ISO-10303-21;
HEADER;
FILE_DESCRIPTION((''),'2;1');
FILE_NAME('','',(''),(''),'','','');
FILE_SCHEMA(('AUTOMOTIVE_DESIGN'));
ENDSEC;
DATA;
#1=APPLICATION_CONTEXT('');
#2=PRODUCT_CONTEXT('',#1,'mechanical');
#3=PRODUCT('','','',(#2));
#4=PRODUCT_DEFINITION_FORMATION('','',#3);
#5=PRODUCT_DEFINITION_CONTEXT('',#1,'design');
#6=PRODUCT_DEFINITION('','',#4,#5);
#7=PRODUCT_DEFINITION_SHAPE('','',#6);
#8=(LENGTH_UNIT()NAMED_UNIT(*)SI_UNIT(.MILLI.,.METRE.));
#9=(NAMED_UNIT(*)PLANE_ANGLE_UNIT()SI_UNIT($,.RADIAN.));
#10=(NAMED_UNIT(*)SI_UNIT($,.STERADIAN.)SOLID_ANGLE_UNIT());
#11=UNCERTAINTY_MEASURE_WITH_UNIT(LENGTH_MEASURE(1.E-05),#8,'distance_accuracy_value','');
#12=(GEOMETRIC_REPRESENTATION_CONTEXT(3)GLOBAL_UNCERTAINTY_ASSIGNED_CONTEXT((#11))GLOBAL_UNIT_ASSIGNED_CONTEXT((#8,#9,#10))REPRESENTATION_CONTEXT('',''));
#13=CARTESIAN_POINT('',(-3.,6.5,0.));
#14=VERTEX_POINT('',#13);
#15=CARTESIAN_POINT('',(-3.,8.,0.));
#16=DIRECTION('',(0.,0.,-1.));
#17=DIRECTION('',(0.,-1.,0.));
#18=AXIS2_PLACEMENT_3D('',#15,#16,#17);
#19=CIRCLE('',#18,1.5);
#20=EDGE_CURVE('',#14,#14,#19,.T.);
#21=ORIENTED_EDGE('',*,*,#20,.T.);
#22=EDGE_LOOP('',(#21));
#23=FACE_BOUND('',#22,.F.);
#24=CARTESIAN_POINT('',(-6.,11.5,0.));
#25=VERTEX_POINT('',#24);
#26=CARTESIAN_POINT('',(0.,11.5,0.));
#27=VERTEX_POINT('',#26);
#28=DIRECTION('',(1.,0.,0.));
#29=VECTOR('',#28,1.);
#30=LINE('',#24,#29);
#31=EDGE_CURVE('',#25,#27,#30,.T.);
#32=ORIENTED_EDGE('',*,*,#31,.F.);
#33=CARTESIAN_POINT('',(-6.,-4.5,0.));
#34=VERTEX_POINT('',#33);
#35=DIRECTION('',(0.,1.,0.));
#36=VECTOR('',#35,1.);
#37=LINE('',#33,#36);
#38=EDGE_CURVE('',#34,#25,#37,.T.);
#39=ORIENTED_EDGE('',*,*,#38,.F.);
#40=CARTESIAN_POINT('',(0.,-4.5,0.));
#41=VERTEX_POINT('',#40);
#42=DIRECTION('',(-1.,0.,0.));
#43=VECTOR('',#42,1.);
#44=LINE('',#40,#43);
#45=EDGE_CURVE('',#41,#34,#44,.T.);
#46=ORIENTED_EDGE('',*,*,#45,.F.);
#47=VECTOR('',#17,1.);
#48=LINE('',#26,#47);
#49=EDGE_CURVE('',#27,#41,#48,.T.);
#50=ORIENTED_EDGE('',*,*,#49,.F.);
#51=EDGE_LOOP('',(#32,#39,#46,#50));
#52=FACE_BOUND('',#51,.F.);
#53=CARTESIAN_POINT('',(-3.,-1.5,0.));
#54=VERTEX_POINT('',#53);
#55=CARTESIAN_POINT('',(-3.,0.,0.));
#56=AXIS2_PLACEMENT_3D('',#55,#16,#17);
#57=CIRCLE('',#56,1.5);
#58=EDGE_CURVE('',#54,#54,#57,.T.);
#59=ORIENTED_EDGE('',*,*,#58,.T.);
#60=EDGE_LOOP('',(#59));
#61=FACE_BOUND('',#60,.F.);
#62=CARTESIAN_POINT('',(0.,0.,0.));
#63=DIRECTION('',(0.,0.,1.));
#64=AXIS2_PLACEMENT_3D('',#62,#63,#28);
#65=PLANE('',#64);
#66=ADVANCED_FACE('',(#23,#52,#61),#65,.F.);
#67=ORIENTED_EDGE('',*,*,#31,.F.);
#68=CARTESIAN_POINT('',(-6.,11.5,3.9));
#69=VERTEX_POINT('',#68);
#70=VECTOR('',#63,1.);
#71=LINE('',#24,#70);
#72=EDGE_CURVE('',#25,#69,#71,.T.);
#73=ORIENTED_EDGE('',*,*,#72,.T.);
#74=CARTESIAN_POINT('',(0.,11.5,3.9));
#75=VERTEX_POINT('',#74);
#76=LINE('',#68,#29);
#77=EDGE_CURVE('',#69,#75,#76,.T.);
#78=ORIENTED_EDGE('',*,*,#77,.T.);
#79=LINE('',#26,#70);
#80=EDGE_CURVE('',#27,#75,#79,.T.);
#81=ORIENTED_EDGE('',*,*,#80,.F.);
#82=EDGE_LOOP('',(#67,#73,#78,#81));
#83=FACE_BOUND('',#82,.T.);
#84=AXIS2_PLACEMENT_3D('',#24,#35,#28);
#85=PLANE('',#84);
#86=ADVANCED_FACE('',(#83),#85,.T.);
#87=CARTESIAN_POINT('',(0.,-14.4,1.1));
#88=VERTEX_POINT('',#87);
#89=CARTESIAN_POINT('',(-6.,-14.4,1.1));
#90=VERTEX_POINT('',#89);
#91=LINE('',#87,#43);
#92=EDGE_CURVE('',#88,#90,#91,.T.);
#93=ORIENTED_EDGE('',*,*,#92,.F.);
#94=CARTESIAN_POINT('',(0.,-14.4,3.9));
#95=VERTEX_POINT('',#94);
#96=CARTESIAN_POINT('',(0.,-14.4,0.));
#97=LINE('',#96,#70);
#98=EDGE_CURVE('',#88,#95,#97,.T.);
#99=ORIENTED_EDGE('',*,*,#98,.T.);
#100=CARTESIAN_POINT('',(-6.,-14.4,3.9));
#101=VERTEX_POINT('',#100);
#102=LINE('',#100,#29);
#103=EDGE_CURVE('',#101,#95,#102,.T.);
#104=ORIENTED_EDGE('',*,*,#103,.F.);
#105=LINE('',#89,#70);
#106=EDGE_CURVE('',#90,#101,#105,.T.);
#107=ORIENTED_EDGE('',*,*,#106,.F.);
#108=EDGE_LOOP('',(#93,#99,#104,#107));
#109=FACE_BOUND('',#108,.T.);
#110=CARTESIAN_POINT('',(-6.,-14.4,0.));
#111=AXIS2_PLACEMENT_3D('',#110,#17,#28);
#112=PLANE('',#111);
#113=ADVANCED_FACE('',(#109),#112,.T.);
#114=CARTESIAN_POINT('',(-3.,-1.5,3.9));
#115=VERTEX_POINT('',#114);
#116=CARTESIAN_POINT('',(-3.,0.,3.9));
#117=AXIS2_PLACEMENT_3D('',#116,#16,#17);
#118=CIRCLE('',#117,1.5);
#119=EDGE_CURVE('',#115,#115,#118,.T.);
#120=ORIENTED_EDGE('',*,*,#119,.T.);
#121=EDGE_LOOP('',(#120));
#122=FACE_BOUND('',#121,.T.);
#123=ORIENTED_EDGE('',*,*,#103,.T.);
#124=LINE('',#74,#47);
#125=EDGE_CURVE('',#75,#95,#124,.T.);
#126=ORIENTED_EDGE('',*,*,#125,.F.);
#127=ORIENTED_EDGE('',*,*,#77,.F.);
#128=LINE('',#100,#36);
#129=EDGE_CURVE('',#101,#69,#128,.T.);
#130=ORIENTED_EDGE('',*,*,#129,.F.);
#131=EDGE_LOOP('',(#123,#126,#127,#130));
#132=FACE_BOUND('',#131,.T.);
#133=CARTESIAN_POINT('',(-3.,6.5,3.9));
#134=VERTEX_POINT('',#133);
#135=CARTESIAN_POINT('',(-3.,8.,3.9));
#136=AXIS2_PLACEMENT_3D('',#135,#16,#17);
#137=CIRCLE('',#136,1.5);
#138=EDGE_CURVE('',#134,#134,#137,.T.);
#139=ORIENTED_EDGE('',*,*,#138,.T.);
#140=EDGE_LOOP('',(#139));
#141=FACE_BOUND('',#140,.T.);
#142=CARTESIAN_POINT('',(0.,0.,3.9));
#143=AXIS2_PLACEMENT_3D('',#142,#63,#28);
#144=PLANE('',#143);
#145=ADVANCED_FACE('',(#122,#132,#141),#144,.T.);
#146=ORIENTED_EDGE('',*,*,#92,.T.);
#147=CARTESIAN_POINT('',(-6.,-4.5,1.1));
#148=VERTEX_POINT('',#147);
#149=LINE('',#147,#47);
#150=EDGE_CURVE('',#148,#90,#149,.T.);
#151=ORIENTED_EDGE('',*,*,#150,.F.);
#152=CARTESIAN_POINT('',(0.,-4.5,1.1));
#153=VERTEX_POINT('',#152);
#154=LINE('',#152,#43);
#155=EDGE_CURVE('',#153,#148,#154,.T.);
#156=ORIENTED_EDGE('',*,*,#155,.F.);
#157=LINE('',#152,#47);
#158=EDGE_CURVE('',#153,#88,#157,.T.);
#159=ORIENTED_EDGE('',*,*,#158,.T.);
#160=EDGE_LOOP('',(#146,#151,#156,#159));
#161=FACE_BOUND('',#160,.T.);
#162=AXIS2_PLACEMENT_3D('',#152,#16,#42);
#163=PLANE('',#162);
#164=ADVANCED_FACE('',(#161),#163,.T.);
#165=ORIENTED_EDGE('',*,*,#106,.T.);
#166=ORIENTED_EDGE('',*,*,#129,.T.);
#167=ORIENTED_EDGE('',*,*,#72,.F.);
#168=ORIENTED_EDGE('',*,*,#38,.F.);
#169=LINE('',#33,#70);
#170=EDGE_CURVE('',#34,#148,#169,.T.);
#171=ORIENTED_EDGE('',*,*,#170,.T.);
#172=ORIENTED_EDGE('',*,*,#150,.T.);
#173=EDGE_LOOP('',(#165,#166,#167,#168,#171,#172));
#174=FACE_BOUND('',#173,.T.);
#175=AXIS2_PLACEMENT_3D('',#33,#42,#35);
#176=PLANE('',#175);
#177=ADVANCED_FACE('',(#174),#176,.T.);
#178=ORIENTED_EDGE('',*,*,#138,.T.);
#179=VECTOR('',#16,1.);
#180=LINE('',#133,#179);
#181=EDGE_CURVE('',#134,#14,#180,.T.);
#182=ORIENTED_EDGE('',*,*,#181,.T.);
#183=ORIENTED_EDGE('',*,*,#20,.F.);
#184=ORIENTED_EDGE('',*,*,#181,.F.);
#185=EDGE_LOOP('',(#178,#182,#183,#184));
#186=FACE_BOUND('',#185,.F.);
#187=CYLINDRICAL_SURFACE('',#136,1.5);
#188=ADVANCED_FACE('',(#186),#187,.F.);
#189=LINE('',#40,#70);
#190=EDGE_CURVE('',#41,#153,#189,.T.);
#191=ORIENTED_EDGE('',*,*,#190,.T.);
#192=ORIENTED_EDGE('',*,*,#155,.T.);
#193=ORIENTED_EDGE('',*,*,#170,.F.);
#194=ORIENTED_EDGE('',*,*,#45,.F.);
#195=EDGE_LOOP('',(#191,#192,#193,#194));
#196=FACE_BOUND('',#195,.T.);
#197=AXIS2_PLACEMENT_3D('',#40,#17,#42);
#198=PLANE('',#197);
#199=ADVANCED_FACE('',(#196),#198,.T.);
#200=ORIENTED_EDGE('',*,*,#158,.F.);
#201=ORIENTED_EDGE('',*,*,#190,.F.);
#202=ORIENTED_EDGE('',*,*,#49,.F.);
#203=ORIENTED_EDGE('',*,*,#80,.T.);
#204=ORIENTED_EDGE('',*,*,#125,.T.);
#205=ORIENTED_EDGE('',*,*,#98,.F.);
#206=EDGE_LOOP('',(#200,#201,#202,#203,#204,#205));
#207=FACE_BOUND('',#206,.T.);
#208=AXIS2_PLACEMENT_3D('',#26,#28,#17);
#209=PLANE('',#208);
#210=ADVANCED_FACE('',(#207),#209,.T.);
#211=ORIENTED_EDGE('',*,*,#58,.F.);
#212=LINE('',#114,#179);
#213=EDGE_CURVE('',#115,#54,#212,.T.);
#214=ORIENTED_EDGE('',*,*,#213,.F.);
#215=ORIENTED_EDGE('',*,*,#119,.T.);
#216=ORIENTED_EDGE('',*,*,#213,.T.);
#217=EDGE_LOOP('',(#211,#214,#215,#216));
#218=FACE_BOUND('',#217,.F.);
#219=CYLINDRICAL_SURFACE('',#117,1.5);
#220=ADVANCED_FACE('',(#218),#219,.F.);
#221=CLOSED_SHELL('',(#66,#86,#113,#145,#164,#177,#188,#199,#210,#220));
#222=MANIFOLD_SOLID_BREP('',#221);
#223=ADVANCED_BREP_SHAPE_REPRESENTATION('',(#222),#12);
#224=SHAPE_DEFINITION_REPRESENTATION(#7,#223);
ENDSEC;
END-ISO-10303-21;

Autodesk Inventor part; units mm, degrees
ref_plane "YZ Plane" through (0, 0, 0) normal (1, 0, 0) x (0, 1, 0)
ref_plane "XZ Plane" through (0, 0, 0) normal (0, 1, 0) x (-1, 0, 0)
ref_plane "XY Plane" through (0, 0, 0) normal (0, 0, 1) x (1, 0, 0)
sketch "Sketch1" plane through (0, 0, 0) normal (0, 0, 1) x (1, 0, 0)
  line L0 (0, -4.5) -> (-6, -4.5)
  line L1 (-6, -4.5) -> (-6, 11.5)
  line L2 (-6, 11.5) -> (0, 11.5)
  line L3 (0, 11.5) -> (0, -4.5)
  point P0 (0, 0)
  dimension "d0" = 6
  dimension "d1" = 16
  dimension "d17" = 0
  dimension "d18" = 11.5
extrude "Extrusion1" add sketch "Sketch1" along normal blind 3.9
sketch "Sketch2" plane through (-6, -4.5, 0) normal (0, -1, 0) x (1, 0, 0)
  point P0 (6, 0)
sketch "Sketch3" plane through (-6, -4.5, 0) normal (0, -1, 0) x (1, 0, 0)
  line L0 (0, 3.9) -> (6, 3.9) projected
  line L1 (6, 0) -> (6, 3.9) projected
  line L2 (0, 3.9) -> (6, 3.9)
  line L3 (6, 3.9) -> (6, 1.1)
  line L4 (6, 1.1) -> (0, 1.1)
  line L5 (0, 1.1) -> (0, 3.9)
  dimension "d4" = 2.8
extrude "Extrusion2" add sketch "Sketch3" along normal blind 9.9
sketch "Sketch4" plane through (0, 0, 3.9) normal (0, 0, 1) x (1, 0, 0)
  point P0 (0, 0)
  point P1 (-3, 8)
  point P2 (-3, 0)
hole "Hole1" at (-3, 8, 3.9) at (-3, 0, 3.9) direction (0, 0, -1) diameter 3 end through all
properties part number "GT2 belt clamp" material "Aluminum 6061"
